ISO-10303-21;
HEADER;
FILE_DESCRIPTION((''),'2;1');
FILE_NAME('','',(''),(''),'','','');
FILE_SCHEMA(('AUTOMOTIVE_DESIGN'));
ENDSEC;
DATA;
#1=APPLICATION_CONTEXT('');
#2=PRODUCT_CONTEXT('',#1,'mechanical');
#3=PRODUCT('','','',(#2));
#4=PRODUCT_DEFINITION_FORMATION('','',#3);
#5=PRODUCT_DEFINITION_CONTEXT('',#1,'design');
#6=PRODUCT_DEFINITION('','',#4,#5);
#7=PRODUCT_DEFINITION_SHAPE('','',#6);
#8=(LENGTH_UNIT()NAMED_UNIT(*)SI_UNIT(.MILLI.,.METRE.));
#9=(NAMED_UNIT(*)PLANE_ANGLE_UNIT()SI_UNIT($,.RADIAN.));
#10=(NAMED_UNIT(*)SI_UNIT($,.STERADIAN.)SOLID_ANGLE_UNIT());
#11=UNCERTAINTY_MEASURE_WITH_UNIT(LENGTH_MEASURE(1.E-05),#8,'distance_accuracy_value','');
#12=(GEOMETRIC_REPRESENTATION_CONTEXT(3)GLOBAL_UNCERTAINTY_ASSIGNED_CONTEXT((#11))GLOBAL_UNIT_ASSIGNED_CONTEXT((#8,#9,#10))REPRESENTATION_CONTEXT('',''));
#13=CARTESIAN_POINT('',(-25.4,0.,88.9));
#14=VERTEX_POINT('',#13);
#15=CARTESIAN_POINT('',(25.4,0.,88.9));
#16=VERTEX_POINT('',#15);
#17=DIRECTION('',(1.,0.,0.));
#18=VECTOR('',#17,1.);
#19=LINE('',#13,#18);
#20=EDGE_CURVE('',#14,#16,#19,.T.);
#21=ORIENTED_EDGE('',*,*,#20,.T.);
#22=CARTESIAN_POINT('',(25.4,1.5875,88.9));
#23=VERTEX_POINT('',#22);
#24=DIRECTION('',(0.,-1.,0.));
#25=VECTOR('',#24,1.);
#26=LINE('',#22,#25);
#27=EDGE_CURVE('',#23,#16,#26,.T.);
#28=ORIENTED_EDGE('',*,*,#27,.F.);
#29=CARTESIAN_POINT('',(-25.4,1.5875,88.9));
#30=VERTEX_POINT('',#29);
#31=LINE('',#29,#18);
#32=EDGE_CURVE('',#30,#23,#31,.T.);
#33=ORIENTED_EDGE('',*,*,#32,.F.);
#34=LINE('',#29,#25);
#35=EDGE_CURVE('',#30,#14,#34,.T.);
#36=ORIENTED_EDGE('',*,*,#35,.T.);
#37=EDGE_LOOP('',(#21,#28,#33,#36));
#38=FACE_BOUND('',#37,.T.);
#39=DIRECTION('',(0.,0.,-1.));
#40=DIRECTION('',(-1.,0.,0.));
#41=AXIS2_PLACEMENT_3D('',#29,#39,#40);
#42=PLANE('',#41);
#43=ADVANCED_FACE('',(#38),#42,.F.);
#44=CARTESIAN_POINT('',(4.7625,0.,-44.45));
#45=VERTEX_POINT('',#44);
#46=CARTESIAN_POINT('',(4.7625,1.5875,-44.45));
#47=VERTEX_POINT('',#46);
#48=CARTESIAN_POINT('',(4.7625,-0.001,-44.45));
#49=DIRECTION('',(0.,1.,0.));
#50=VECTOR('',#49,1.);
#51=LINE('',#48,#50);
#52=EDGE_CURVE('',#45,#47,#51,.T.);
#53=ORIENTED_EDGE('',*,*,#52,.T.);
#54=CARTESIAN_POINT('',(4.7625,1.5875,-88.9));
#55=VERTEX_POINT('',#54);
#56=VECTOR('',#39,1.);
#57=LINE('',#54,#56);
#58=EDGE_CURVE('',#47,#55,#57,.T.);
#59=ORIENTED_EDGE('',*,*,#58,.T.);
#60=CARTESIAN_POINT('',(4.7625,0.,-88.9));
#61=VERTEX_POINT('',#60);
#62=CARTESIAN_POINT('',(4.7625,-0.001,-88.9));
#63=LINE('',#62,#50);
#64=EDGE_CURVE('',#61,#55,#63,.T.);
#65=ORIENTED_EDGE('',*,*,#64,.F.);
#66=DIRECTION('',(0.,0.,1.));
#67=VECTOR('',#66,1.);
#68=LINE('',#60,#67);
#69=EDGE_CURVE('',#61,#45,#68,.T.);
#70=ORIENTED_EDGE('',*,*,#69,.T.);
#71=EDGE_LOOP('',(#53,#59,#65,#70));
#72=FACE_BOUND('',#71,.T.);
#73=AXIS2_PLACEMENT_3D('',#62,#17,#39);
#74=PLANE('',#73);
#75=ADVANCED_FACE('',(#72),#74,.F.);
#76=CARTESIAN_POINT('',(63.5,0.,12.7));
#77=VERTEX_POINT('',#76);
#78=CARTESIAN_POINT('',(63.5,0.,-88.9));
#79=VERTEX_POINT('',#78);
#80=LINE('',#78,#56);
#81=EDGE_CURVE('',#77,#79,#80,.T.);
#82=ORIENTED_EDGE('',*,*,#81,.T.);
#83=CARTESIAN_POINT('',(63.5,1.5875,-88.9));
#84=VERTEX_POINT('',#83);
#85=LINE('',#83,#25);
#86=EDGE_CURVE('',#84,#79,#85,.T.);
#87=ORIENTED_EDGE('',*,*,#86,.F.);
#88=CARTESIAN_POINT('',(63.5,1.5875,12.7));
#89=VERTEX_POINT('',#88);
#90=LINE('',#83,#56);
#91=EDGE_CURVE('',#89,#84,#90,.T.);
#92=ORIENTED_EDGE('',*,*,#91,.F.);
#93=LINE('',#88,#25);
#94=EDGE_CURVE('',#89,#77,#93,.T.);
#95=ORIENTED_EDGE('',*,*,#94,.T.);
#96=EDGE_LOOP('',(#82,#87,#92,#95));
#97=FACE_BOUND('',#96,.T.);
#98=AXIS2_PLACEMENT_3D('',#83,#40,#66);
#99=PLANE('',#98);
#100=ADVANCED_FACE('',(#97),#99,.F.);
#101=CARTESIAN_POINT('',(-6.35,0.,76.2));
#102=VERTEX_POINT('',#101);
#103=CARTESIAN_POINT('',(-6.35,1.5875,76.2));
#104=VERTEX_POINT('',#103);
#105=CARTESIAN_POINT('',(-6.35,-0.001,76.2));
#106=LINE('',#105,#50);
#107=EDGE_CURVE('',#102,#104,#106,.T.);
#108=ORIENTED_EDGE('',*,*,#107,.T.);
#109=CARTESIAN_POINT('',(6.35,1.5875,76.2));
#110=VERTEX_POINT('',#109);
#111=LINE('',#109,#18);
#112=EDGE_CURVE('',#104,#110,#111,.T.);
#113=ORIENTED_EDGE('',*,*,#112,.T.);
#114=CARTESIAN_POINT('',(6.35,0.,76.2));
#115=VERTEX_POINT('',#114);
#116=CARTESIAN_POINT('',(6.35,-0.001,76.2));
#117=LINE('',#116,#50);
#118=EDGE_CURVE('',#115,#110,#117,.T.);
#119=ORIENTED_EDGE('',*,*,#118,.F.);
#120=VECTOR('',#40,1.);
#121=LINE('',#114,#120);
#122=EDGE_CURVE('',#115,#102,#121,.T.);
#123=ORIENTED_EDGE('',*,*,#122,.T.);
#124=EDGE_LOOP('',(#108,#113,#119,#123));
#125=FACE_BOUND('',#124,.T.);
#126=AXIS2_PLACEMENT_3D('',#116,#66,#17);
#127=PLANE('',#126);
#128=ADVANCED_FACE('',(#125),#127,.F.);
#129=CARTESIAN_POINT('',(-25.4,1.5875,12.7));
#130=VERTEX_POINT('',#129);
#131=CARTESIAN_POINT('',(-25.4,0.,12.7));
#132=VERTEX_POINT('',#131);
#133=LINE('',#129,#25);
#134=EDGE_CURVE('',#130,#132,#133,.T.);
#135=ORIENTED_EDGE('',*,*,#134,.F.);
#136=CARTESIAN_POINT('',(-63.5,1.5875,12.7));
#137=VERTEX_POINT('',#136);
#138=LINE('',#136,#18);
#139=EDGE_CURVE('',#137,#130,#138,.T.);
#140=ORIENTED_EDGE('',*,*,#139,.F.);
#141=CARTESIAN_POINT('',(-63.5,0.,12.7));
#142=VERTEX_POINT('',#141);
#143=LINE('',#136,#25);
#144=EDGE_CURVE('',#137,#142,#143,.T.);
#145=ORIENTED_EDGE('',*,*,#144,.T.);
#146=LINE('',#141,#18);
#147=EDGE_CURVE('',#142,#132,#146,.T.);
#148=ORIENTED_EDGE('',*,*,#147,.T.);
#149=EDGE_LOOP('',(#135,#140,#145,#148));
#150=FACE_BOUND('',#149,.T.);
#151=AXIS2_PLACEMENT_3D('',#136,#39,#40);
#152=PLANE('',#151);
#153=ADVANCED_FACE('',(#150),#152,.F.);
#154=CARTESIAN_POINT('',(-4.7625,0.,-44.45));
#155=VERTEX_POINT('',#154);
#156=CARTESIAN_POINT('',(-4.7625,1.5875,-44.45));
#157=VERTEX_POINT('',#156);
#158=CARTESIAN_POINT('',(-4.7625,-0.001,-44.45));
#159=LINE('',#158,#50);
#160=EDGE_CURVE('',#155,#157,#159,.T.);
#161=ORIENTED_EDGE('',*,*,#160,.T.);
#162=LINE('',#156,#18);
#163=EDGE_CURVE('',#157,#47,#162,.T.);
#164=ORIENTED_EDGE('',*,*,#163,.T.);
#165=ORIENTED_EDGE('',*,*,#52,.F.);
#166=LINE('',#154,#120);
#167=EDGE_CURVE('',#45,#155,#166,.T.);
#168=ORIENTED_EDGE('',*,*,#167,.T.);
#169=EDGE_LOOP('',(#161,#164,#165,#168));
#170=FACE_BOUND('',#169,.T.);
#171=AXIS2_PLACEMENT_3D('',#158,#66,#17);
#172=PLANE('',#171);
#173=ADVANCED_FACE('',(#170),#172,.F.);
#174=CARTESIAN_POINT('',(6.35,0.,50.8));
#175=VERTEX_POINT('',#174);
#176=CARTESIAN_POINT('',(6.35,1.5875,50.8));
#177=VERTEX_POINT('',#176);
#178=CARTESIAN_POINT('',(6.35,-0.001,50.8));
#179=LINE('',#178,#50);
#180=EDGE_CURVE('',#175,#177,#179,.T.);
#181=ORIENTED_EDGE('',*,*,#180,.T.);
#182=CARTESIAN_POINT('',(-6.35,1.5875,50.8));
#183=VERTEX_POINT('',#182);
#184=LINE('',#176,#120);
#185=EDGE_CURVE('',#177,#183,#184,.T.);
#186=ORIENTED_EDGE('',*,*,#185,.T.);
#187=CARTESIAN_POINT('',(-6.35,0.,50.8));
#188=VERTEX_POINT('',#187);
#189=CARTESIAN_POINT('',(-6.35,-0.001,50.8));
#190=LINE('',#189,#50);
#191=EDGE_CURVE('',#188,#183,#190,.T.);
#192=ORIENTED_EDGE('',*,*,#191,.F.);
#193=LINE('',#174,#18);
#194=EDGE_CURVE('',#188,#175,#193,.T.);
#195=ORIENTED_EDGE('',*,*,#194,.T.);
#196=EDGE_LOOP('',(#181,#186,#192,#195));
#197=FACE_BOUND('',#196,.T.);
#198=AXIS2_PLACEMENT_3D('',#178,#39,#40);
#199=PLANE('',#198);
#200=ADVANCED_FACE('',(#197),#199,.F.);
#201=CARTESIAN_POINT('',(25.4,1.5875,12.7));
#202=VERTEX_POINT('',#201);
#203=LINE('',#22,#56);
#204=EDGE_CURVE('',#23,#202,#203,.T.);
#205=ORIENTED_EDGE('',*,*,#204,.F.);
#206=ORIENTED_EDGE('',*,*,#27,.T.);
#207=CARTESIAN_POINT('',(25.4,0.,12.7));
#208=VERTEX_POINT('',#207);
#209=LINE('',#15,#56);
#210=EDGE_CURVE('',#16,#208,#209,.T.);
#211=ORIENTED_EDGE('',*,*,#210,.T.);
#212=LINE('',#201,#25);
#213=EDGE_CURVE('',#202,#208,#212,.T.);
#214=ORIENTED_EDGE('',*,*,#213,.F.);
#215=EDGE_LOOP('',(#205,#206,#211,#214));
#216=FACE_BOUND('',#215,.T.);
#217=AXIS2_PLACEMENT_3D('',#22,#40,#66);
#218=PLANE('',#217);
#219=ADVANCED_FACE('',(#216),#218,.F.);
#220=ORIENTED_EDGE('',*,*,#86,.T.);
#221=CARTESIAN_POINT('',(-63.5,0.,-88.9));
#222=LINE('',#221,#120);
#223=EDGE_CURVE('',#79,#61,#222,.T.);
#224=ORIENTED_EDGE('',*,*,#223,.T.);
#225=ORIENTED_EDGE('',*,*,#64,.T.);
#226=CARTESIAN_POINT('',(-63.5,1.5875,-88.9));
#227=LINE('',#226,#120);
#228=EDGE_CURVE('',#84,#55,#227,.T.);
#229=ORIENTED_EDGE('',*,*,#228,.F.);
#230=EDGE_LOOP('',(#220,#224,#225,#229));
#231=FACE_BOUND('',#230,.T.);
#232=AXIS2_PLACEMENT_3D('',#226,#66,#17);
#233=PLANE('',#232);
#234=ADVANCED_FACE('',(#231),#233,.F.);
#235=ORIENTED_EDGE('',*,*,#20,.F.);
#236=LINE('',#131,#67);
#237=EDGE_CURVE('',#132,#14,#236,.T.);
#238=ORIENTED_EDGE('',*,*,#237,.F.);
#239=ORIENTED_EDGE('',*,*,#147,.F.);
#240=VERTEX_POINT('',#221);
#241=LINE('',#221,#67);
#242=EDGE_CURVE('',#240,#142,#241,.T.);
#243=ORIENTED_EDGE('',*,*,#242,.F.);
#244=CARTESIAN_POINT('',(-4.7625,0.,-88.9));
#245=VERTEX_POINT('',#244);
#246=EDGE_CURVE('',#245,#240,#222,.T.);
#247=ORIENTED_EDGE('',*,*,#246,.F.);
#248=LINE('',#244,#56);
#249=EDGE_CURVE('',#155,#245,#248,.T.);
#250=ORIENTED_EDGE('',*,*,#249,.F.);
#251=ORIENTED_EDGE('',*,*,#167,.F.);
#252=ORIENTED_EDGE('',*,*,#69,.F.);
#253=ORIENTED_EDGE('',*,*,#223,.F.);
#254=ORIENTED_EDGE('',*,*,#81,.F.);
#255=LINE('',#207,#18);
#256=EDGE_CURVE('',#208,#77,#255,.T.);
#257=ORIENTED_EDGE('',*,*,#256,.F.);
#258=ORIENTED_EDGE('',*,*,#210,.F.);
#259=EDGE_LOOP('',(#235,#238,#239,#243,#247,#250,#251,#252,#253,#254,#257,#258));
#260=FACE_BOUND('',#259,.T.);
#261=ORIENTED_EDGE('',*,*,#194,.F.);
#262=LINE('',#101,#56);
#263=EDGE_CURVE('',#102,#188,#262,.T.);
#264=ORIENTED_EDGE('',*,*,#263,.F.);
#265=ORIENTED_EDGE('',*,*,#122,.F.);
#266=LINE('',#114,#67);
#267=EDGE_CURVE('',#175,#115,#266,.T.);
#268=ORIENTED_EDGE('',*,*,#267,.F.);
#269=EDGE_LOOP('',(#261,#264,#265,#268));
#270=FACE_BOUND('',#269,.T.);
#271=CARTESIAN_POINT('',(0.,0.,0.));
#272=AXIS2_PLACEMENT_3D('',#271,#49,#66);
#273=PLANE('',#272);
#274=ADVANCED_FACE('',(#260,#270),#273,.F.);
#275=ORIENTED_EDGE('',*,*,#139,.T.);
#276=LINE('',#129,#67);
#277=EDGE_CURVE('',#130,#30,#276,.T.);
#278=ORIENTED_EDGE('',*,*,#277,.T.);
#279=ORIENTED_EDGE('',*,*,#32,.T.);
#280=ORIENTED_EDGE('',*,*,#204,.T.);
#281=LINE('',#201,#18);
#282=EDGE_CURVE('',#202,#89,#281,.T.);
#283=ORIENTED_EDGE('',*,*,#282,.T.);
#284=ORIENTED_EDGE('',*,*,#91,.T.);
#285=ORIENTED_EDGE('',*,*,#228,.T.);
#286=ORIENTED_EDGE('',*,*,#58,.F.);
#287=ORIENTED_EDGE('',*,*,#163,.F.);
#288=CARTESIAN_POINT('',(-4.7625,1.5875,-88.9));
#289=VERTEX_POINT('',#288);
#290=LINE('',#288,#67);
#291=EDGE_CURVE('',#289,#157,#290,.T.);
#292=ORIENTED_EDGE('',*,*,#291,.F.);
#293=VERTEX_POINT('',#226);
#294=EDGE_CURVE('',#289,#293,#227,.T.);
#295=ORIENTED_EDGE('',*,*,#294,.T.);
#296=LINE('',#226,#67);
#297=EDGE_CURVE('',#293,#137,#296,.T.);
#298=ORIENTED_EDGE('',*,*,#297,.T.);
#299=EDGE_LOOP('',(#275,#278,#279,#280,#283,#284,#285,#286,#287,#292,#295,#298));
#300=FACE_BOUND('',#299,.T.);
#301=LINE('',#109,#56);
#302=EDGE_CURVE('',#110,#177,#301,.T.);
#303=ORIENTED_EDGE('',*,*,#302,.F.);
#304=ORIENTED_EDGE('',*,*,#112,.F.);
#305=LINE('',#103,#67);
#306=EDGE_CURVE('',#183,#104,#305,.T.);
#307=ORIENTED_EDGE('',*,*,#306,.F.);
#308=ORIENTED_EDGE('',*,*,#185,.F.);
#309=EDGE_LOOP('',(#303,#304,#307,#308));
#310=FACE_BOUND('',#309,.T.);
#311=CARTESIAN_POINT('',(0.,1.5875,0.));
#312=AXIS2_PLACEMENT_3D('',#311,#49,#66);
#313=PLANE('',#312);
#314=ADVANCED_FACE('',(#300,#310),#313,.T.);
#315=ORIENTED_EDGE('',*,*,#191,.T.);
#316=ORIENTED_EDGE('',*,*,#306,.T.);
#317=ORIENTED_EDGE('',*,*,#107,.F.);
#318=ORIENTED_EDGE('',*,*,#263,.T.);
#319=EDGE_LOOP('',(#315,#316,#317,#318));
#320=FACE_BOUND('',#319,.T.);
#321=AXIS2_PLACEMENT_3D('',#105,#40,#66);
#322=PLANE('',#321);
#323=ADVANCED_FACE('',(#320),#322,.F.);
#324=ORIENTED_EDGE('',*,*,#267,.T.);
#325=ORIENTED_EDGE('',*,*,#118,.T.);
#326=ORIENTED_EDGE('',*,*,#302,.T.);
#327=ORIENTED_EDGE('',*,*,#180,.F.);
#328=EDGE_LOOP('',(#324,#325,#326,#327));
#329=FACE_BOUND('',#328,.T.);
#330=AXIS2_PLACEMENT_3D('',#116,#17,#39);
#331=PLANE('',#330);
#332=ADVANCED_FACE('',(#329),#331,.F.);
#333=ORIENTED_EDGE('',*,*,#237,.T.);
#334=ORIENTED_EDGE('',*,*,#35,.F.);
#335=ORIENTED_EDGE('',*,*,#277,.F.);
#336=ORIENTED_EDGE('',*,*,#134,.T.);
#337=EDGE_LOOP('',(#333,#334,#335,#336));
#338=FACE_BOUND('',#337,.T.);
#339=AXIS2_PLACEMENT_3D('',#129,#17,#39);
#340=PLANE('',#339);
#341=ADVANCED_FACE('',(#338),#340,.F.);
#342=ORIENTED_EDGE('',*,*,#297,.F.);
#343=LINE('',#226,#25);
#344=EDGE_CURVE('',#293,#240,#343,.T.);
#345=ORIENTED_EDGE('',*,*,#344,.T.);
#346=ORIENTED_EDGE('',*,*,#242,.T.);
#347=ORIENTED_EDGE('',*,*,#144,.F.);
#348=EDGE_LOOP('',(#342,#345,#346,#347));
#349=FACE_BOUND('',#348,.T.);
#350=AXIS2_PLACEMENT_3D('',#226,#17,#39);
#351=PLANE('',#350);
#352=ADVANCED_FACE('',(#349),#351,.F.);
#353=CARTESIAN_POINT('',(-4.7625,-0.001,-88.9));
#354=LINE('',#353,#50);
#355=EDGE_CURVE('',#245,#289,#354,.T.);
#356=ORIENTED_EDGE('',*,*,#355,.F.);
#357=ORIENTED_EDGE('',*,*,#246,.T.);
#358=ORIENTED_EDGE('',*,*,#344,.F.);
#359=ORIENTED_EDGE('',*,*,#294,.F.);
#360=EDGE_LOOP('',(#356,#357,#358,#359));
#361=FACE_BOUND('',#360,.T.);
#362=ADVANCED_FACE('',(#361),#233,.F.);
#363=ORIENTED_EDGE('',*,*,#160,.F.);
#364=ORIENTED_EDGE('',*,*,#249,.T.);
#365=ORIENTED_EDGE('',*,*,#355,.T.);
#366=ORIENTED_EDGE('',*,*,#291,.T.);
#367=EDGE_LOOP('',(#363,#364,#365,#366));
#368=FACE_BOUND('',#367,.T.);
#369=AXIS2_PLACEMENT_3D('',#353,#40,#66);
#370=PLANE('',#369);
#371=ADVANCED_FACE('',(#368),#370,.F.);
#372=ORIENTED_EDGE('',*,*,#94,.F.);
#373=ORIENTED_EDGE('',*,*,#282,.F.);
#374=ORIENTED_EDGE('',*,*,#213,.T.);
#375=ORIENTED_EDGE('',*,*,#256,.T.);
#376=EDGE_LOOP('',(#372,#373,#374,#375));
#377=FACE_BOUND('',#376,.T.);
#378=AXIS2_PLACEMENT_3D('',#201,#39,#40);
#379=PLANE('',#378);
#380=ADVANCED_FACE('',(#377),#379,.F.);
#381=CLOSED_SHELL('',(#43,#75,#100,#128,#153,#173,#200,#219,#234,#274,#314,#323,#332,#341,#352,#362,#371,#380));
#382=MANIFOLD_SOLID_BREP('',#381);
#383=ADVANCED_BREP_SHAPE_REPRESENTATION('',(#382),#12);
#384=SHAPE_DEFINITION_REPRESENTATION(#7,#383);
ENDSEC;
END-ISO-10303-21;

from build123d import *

# Parameters (mm, degrees)
BOSS_EXTRUDE1_DEPTH = 1.5875
CUT_EXTRUDE1_REACH  = 111.261
SKETCH2_W           = 12.7
SKETCH2_H           = 25.4
CUT_EXTRUDE2_REACH  = 111.261
SKETCH3_W           = 9.525
SKETCH3_H           = 44.45


with BuildPart() as part:
    # Sketch1 → Boss-Extrude1 (new body)
    with BuildSketch(Plane(origin=(0, 0, 0), x_dir=(1, 0, 0), z_dir=(0, 1, 0))):
        Polygon((-63.5, -12.7), (-25.4, -12.7), (-25.4, -88.9), (25.4, -88.9), (25.4, -12.7), (63.5, -12.7), (63.5, 88.9), (-63.5, 88.9), align=None)
    extrude(amount=BOSS_EXTRUDE1_DEPTH)

    # Sketch2 → Cut-Extrude1 (cut, up to next)
    with BuildSketch(Plane(origin=(0, 1.5875, 0), x_dir=(1, 0, 0), z_dir=(0, 1, 0)), mode=Mode.PRIVATE) as cut_extrude1_sk1:
        with Locations((0, -63.5)):
            Rectangle(SKETCH2_W, SKETCH2_H)
    cut_extrude1_tool1 = extrude(cut_extrude1_sk1.sketch, amount=-CUT_EXTRUDE1_REACH, mode=Mode.PRIVATE) & part.part
    add(cut_extrude1_tool1.solids().sort_by_distance((0, 1.5875, 63.5))[0], mode=Mode.SUBTRACT)

    # Sketch3 → Cut-Extrude2 (cut, up to next)
    with BuildSketch(Plane(origin=(0, 1.5875, 0), x_dir=(1, 0, 0), z_dir=(0, 1, 0)), mode=Mode.PRIVATE) as cut_extrude2_sk1:
        with Locations((0, 66.675)):
            Rectangle(SKETCH3_W, SKETCH3_H)
    cut_extrude2_tool1 = extrude(cut_extrude2_sk1.sketch, amount=-CUT_EXTRUDE2_REACH, mode=Mode.PRIVATE) & part.part
    add(cut_extrude2_tool1.solids().sort_by_distance((0, 1.5875, -66.675))[0], mode=Mode.SUBTRACT)


solid = part.part
